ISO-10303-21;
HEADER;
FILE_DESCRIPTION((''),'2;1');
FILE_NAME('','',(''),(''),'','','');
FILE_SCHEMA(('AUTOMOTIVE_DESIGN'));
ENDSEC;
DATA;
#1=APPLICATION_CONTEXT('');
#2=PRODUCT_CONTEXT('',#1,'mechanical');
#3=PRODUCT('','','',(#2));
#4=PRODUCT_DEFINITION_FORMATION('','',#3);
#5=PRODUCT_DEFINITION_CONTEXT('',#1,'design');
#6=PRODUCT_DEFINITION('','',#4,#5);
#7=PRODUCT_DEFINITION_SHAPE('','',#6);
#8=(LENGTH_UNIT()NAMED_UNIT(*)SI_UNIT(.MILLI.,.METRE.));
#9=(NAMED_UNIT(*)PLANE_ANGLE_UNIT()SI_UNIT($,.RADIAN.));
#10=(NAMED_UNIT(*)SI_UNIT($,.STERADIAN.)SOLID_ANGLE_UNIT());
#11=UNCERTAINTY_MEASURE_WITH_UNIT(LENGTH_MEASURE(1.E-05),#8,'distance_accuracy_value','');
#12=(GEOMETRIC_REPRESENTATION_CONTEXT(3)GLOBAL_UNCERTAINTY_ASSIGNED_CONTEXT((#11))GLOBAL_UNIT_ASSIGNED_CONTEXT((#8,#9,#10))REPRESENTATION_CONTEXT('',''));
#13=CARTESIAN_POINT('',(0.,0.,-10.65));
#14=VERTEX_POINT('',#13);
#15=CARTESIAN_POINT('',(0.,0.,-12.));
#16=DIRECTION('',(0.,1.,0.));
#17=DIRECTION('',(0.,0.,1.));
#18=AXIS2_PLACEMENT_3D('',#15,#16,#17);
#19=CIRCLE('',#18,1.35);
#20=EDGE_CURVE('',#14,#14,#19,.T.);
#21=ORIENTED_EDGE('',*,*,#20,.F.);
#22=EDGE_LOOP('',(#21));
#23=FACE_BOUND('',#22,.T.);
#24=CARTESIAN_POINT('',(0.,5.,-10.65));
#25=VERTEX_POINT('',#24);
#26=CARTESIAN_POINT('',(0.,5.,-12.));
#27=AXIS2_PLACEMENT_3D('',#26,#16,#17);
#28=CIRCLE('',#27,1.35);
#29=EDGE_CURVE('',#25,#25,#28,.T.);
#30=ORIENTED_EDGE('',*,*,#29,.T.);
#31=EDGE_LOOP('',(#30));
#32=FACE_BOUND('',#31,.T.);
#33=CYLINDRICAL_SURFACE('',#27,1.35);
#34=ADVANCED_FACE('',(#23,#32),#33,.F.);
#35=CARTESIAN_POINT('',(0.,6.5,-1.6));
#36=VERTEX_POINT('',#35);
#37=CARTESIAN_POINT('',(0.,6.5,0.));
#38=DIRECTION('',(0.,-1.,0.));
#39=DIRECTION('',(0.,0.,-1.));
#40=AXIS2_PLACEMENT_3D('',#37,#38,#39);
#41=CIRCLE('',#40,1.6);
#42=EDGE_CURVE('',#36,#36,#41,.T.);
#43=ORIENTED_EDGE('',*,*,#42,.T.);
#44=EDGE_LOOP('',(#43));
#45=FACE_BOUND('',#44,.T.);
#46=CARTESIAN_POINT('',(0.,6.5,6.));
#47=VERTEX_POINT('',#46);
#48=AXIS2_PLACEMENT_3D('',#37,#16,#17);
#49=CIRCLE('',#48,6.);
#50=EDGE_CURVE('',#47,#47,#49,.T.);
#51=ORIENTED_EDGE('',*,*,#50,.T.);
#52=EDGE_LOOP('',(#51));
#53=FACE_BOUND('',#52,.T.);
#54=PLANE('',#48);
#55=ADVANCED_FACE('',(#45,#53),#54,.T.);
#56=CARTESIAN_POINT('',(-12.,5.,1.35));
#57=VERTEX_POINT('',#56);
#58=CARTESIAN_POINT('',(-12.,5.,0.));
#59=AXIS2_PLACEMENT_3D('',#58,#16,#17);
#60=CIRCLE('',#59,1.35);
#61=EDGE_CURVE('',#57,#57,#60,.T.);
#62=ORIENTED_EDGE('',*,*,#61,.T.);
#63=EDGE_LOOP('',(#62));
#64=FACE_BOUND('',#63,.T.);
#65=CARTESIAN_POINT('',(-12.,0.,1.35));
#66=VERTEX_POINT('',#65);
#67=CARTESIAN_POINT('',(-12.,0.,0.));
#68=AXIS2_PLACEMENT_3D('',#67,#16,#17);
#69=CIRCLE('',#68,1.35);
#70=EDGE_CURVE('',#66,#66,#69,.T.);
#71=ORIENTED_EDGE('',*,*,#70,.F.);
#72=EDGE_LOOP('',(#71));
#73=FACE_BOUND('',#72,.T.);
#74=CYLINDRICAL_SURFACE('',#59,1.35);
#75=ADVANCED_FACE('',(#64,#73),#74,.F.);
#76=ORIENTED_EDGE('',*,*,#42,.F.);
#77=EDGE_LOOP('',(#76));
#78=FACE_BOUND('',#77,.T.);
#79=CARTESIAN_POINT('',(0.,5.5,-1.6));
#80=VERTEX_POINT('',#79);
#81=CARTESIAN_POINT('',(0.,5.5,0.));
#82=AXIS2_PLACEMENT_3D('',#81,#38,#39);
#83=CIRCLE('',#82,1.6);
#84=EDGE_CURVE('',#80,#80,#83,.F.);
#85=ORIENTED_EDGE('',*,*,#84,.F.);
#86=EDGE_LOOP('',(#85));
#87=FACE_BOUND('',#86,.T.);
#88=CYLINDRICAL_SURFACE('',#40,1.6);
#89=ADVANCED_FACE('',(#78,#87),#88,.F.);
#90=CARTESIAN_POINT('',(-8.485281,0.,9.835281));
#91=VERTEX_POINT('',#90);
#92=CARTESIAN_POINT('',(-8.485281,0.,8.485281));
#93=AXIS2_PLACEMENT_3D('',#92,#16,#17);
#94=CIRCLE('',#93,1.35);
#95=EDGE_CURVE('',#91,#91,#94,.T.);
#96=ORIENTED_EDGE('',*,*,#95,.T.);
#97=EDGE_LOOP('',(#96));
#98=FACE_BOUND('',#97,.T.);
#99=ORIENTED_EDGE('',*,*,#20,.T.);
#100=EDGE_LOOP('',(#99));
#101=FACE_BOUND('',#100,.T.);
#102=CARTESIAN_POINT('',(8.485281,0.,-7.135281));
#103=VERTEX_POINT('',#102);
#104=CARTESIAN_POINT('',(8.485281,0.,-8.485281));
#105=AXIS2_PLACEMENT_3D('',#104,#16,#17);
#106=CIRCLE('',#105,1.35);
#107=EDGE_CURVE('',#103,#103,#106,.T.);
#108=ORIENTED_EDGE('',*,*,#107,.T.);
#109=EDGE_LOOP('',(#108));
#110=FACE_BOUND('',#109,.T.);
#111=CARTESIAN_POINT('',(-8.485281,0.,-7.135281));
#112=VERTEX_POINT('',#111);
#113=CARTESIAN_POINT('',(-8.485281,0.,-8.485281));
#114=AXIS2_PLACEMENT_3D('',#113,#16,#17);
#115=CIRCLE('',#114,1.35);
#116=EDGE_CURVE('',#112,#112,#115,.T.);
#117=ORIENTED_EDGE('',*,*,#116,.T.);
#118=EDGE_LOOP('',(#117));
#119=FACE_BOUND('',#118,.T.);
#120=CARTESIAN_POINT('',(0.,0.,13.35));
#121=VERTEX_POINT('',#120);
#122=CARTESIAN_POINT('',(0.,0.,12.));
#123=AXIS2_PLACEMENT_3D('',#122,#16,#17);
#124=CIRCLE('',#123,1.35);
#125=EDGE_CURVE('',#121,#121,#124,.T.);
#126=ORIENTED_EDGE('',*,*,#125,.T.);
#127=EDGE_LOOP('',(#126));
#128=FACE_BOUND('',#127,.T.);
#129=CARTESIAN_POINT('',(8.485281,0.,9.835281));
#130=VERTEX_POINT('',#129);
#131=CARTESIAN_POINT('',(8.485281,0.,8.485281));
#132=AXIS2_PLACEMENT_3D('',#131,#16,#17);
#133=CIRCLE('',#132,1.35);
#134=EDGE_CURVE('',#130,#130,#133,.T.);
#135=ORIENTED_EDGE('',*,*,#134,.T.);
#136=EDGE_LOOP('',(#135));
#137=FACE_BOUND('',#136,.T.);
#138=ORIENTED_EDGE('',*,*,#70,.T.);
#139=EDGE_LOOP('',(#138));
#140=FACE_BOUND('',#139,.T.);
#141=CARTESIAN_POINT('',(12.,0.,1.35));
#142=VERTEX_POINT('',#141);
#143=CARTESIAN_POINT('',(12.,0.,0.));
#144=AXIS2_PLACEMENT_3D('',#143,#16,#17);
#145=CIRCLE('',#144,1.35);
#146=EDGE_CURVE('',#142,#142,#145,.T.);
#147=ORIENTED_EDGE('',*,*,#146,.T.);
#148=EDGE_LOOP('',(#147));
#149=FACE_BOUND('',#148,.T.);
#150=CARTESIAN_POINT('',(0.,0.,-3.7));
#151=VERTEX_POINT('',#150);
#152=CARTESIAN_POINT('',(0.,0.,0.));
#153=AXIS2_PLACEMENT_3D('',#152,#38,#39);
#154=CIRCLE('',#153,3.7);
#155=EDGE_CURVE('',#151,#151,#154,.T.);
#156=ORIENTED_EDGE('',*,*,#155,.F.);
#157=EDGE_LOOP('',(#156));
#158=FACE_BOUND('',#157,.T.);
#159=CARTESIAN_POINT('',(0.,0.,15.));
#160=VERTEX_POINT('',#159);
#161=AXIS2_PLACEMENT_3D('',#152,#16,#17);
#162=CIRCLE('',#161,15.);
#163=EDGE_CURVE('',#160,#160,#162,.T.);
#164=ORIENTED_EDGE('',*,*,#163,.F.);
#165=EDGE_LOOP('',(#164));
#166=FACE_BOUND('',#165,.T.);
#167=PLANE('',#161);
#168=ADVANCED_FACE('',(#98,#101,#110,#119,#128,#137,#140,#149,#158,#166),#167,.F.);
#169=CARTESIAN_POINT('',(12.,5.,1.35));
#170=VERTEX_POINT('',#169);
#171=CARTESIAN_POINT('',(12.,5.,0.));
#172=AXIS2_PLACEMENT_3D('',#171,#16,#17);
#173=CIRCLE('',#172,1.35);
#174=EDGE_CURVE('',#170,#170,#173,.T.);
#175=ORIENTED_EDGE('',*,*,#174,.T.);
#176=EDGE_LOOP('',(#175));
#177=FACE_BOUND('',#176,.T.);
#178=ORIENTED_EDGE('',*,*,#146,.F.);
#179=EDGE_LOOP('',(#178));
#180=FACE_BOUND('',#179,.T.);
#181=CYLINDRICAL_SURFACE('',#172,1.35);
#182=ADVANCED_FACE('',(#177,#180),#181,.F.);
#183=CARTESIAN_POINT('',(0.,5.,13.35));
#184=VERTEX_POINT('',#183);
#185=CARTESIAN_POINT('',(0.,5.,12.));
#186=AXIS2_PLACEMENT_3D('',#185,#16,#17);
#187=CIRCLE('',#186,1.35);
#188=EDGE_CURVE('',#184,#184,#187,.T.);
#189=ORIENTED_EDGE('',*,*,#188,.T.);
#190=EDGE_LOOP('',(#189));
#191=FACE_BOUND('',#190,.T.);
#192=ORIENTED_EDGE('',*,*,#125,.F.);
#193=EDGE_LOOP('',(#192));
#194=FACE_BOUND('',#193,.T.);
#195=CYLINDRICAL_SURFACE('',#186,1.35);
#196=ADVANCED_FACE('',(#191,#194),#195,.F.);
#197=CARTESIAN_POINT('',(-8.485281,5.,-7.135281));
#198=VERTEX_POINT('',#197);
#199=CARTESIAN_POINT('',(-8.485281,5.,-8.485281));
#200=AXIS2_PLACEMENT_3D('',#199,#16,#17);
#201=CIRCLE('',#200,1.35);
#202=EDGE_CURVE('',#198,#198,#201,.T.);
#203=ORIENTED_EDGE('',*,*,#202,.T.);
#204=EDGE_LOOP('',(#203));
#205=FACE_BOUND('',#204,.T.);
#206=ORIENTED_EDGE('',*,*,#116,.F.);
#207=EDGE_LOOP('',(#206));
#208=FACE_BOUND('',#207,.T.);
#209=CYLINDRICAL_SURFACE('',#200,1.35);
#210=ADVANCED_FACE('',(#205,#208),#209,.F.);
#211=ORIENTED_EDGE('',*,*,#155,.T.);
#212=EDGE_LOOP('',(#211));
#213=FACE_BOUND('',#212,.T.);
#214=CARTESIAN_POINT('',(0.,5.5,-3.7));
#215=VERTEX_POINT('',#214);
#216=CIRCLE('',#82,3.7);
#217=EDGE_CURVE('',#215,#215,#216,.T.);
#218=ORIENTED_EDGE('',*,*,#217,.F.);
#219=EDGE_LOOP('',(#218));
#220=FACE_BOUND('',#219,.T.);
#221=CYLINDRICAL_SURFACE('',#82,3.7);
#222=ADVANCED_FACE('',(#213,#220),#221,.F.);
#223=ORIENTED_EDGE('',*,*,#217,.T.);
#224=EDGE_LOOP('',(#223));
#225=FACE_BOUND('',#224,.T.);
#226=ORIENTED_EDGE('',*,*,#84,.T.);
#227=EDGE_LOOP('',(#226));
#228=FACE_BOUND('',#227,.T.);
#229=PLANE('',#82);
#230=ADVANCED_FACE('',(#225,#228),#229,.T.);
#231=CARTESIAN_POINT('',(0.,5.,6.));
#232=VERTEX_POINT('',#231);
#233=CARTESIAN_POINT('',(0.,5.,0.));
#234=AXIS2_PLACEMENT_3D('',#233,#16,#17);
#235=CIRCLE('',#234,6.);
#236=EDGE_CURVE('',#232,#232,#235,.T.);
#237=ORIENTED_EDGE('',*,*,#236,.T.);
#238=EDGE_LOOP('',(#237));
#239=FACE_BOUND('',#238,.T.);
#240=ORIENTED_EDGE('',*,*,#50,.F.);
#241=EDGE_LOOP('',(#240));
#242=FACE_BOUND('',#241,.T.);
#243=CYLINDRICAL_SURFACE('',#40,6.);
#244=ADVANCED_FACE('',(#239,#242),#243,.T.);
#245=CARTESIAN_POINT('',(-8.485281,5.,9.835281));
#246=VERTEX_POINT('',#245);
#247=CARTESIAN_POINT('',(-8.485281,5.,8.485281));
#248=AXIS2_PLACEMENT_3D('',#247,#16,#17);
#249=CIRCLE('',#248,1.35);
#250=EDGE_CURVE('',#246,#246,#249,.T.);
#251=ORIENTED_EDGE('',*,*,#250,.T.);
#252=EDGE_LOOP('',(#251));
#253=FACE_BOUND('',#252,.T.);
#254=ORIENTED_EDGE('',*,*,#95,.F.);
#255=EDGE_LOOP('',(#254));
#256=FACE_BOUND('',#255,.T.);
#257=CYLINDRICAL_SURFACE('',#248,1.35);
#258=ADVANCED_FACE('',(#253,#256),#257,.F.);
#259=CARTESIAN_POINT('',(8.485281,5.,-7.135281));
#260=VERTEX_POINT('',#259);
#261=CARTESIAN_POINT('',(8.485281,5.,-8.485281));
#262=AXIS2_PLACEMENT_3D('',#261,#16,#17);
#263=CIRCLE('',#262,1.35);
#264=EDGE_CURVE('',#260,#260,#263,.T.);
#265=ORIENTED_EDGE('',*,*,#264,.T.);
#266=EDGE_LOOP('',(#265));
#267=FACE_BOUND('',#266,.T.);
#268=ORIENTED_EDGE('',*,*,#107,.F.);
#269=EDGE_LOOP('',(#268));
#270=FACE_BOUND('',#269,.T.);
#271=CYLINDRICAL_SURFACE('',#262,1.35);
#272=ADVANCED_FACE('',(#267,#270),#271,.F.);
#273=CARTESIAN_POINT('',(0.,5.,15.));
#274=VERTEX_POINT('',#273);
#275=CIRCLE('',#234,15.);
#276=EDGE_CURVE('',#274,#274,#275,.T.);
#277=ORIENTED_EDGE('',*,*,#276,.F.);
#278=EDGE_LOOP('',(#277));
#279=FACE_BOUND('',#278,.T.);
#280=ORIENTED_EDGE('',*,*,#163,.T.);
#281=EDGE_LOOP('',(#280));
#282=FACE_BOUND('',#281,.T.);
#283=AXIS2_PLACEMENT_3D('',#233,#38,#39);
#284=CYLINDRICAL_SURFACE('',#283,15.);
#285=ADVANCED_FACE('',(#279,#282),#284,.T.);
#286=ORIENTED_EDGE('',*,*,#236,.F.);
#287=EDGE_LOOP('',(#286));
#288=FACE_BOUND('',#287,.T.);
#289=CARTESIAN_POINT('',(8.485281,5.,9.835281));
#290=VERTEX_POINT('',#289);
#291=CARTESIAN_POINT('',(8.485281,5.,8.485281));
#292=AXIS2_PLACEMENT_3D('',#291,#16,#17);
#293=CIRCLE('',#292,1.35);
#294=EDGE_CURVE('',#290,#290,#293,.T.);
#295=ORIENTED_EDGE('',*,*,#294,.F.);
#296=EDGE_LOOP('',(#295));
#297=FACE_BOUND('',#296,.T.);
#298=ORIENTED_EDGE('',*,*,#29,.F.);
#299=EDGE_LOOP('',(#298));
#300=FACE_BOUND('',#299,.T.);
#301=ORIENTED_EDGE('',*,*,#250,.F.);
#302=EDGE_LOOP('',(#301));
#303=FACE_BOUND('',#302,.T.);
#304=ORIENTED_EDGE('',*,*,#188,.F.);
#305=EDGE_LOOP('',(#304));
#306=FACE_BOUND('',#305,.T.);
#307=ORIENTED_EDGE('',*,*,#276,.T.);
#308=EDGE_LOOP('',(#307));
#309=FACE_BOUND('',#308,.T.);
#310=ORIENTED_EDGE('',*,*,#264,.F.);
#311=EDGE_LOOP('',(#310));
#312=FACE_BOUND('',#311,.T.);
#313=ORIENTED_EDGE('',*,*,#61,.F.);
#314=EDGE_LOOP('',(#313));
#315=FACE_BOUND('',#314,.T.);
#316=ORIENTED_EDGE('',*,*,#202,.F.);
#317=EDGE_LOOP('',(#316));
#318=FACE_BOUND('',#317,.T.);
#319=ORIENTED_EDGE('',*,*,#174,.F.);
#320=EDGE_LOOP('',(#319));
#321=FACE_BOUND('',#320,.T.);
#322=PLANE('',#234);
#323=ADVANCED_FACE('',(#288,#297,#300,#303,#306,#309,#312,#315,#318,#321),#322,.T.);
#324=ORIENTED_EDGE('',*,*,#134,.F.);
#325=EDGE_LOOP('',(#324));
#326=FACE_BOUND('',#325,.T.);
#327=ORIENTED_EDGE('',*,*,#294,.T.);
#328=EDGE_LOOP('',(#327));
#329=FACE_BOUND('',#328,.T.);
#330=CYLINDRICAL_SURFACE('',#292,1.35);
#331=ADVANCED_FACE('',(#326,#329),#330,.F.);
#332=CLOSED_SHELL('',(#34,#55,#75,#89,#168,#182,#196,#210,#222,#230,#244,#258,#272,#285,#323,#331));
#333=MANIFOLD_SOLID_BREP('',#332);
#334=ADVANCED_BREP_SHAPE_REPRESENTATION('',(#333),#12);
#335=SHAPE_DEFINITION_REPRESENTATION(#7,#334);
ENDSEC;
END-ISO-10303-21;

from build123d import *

# Parameters (mm, degrees)
ESQUISSE1_R             = 15
BOSS_EXTRU_1_DEPTH      = 5
ESQUISSE2_R             = 6
BOSS_EXTRU_2_DEPTH      = 1.5
ESQUISSE3_R             = 1.6
ENL_V_MAT_EXTRU_1_DEPTH = 23.186707732
ESQUISSE4_R             = 3.7
ENL_V_MAT_EXTRU_2_DEPTH = 5.5
D_GAGEMENT_M2_51_D      = 2.7


with BuildPart() as part:
    # Esquisse1 → Boss.-Extru.1 (new body)
    with BuildSketch(Plane(origin=(0, 0, 0), x_dir=(1, 0, 0), z_dir=(0, 1, 0))):
        with Locations(Location((0, 0, 0), (0, 0, 270))):
            Circle(ESQUISSE1_R)
    extrude(amount=BOSS_EXTRU_1_DEPTH)

    # Esquisse2 → Boss.-Extru.2 (add)
    with BuildSketch(Plane(origin=(0, 5, 0), x_dir=(1, 0, 0), z_dir=(0, 1, 0))):
        with Locations(Location((0, 0, 0), (0, 0, 270))):
            Circle(ESQUISSE2_R)
    extrude(amount=BOSS_EXTRU_2_DEPTH)

    # Esquisse3 → Enlèv. mat.-Extru.1 (cut, through all)
    with BuildSketch(Plane.XZ):
        with Locations(Location((0, 0, 0), (0, 0, 270))):
            Circle(ESQUISSE3_R)
    extrude(amount=-ENL_V_MAT_EXTRU_1_DEPTH, mode=Mode.SUBTRACT)

    # Esquisse4 → Enlèv. mat.-Extru.2 (cut)
    with BuildSketch(Plane.XZ):
        with Locations(Location((0, 0, 0), (0, 0, 270))):
            Circle(ESQUISSE4_R)
    extrude(amount=-ENL_V_MAT_EXTRU_2_DEPTH, mode=Mode.SUBTRACT)

    # Dégagement M2.51 (through all)
    with Locations(Plane(origin=(0, 5, 0), x_dir=(1, 0, 0), z_dir=(0, 1, 0))):
        with Locations((0, 0), (-12, 0), (-8.485281374, 8.485281374), (0, 12), (8.485281374, 8.485281374), (12, 0), (8.485281374, -8.485281374), (0, -12), (-8.485281374, -8.485281374)):
            Hole(D_GAGEMENT_M2_51_D / 2)


solid = part.part
